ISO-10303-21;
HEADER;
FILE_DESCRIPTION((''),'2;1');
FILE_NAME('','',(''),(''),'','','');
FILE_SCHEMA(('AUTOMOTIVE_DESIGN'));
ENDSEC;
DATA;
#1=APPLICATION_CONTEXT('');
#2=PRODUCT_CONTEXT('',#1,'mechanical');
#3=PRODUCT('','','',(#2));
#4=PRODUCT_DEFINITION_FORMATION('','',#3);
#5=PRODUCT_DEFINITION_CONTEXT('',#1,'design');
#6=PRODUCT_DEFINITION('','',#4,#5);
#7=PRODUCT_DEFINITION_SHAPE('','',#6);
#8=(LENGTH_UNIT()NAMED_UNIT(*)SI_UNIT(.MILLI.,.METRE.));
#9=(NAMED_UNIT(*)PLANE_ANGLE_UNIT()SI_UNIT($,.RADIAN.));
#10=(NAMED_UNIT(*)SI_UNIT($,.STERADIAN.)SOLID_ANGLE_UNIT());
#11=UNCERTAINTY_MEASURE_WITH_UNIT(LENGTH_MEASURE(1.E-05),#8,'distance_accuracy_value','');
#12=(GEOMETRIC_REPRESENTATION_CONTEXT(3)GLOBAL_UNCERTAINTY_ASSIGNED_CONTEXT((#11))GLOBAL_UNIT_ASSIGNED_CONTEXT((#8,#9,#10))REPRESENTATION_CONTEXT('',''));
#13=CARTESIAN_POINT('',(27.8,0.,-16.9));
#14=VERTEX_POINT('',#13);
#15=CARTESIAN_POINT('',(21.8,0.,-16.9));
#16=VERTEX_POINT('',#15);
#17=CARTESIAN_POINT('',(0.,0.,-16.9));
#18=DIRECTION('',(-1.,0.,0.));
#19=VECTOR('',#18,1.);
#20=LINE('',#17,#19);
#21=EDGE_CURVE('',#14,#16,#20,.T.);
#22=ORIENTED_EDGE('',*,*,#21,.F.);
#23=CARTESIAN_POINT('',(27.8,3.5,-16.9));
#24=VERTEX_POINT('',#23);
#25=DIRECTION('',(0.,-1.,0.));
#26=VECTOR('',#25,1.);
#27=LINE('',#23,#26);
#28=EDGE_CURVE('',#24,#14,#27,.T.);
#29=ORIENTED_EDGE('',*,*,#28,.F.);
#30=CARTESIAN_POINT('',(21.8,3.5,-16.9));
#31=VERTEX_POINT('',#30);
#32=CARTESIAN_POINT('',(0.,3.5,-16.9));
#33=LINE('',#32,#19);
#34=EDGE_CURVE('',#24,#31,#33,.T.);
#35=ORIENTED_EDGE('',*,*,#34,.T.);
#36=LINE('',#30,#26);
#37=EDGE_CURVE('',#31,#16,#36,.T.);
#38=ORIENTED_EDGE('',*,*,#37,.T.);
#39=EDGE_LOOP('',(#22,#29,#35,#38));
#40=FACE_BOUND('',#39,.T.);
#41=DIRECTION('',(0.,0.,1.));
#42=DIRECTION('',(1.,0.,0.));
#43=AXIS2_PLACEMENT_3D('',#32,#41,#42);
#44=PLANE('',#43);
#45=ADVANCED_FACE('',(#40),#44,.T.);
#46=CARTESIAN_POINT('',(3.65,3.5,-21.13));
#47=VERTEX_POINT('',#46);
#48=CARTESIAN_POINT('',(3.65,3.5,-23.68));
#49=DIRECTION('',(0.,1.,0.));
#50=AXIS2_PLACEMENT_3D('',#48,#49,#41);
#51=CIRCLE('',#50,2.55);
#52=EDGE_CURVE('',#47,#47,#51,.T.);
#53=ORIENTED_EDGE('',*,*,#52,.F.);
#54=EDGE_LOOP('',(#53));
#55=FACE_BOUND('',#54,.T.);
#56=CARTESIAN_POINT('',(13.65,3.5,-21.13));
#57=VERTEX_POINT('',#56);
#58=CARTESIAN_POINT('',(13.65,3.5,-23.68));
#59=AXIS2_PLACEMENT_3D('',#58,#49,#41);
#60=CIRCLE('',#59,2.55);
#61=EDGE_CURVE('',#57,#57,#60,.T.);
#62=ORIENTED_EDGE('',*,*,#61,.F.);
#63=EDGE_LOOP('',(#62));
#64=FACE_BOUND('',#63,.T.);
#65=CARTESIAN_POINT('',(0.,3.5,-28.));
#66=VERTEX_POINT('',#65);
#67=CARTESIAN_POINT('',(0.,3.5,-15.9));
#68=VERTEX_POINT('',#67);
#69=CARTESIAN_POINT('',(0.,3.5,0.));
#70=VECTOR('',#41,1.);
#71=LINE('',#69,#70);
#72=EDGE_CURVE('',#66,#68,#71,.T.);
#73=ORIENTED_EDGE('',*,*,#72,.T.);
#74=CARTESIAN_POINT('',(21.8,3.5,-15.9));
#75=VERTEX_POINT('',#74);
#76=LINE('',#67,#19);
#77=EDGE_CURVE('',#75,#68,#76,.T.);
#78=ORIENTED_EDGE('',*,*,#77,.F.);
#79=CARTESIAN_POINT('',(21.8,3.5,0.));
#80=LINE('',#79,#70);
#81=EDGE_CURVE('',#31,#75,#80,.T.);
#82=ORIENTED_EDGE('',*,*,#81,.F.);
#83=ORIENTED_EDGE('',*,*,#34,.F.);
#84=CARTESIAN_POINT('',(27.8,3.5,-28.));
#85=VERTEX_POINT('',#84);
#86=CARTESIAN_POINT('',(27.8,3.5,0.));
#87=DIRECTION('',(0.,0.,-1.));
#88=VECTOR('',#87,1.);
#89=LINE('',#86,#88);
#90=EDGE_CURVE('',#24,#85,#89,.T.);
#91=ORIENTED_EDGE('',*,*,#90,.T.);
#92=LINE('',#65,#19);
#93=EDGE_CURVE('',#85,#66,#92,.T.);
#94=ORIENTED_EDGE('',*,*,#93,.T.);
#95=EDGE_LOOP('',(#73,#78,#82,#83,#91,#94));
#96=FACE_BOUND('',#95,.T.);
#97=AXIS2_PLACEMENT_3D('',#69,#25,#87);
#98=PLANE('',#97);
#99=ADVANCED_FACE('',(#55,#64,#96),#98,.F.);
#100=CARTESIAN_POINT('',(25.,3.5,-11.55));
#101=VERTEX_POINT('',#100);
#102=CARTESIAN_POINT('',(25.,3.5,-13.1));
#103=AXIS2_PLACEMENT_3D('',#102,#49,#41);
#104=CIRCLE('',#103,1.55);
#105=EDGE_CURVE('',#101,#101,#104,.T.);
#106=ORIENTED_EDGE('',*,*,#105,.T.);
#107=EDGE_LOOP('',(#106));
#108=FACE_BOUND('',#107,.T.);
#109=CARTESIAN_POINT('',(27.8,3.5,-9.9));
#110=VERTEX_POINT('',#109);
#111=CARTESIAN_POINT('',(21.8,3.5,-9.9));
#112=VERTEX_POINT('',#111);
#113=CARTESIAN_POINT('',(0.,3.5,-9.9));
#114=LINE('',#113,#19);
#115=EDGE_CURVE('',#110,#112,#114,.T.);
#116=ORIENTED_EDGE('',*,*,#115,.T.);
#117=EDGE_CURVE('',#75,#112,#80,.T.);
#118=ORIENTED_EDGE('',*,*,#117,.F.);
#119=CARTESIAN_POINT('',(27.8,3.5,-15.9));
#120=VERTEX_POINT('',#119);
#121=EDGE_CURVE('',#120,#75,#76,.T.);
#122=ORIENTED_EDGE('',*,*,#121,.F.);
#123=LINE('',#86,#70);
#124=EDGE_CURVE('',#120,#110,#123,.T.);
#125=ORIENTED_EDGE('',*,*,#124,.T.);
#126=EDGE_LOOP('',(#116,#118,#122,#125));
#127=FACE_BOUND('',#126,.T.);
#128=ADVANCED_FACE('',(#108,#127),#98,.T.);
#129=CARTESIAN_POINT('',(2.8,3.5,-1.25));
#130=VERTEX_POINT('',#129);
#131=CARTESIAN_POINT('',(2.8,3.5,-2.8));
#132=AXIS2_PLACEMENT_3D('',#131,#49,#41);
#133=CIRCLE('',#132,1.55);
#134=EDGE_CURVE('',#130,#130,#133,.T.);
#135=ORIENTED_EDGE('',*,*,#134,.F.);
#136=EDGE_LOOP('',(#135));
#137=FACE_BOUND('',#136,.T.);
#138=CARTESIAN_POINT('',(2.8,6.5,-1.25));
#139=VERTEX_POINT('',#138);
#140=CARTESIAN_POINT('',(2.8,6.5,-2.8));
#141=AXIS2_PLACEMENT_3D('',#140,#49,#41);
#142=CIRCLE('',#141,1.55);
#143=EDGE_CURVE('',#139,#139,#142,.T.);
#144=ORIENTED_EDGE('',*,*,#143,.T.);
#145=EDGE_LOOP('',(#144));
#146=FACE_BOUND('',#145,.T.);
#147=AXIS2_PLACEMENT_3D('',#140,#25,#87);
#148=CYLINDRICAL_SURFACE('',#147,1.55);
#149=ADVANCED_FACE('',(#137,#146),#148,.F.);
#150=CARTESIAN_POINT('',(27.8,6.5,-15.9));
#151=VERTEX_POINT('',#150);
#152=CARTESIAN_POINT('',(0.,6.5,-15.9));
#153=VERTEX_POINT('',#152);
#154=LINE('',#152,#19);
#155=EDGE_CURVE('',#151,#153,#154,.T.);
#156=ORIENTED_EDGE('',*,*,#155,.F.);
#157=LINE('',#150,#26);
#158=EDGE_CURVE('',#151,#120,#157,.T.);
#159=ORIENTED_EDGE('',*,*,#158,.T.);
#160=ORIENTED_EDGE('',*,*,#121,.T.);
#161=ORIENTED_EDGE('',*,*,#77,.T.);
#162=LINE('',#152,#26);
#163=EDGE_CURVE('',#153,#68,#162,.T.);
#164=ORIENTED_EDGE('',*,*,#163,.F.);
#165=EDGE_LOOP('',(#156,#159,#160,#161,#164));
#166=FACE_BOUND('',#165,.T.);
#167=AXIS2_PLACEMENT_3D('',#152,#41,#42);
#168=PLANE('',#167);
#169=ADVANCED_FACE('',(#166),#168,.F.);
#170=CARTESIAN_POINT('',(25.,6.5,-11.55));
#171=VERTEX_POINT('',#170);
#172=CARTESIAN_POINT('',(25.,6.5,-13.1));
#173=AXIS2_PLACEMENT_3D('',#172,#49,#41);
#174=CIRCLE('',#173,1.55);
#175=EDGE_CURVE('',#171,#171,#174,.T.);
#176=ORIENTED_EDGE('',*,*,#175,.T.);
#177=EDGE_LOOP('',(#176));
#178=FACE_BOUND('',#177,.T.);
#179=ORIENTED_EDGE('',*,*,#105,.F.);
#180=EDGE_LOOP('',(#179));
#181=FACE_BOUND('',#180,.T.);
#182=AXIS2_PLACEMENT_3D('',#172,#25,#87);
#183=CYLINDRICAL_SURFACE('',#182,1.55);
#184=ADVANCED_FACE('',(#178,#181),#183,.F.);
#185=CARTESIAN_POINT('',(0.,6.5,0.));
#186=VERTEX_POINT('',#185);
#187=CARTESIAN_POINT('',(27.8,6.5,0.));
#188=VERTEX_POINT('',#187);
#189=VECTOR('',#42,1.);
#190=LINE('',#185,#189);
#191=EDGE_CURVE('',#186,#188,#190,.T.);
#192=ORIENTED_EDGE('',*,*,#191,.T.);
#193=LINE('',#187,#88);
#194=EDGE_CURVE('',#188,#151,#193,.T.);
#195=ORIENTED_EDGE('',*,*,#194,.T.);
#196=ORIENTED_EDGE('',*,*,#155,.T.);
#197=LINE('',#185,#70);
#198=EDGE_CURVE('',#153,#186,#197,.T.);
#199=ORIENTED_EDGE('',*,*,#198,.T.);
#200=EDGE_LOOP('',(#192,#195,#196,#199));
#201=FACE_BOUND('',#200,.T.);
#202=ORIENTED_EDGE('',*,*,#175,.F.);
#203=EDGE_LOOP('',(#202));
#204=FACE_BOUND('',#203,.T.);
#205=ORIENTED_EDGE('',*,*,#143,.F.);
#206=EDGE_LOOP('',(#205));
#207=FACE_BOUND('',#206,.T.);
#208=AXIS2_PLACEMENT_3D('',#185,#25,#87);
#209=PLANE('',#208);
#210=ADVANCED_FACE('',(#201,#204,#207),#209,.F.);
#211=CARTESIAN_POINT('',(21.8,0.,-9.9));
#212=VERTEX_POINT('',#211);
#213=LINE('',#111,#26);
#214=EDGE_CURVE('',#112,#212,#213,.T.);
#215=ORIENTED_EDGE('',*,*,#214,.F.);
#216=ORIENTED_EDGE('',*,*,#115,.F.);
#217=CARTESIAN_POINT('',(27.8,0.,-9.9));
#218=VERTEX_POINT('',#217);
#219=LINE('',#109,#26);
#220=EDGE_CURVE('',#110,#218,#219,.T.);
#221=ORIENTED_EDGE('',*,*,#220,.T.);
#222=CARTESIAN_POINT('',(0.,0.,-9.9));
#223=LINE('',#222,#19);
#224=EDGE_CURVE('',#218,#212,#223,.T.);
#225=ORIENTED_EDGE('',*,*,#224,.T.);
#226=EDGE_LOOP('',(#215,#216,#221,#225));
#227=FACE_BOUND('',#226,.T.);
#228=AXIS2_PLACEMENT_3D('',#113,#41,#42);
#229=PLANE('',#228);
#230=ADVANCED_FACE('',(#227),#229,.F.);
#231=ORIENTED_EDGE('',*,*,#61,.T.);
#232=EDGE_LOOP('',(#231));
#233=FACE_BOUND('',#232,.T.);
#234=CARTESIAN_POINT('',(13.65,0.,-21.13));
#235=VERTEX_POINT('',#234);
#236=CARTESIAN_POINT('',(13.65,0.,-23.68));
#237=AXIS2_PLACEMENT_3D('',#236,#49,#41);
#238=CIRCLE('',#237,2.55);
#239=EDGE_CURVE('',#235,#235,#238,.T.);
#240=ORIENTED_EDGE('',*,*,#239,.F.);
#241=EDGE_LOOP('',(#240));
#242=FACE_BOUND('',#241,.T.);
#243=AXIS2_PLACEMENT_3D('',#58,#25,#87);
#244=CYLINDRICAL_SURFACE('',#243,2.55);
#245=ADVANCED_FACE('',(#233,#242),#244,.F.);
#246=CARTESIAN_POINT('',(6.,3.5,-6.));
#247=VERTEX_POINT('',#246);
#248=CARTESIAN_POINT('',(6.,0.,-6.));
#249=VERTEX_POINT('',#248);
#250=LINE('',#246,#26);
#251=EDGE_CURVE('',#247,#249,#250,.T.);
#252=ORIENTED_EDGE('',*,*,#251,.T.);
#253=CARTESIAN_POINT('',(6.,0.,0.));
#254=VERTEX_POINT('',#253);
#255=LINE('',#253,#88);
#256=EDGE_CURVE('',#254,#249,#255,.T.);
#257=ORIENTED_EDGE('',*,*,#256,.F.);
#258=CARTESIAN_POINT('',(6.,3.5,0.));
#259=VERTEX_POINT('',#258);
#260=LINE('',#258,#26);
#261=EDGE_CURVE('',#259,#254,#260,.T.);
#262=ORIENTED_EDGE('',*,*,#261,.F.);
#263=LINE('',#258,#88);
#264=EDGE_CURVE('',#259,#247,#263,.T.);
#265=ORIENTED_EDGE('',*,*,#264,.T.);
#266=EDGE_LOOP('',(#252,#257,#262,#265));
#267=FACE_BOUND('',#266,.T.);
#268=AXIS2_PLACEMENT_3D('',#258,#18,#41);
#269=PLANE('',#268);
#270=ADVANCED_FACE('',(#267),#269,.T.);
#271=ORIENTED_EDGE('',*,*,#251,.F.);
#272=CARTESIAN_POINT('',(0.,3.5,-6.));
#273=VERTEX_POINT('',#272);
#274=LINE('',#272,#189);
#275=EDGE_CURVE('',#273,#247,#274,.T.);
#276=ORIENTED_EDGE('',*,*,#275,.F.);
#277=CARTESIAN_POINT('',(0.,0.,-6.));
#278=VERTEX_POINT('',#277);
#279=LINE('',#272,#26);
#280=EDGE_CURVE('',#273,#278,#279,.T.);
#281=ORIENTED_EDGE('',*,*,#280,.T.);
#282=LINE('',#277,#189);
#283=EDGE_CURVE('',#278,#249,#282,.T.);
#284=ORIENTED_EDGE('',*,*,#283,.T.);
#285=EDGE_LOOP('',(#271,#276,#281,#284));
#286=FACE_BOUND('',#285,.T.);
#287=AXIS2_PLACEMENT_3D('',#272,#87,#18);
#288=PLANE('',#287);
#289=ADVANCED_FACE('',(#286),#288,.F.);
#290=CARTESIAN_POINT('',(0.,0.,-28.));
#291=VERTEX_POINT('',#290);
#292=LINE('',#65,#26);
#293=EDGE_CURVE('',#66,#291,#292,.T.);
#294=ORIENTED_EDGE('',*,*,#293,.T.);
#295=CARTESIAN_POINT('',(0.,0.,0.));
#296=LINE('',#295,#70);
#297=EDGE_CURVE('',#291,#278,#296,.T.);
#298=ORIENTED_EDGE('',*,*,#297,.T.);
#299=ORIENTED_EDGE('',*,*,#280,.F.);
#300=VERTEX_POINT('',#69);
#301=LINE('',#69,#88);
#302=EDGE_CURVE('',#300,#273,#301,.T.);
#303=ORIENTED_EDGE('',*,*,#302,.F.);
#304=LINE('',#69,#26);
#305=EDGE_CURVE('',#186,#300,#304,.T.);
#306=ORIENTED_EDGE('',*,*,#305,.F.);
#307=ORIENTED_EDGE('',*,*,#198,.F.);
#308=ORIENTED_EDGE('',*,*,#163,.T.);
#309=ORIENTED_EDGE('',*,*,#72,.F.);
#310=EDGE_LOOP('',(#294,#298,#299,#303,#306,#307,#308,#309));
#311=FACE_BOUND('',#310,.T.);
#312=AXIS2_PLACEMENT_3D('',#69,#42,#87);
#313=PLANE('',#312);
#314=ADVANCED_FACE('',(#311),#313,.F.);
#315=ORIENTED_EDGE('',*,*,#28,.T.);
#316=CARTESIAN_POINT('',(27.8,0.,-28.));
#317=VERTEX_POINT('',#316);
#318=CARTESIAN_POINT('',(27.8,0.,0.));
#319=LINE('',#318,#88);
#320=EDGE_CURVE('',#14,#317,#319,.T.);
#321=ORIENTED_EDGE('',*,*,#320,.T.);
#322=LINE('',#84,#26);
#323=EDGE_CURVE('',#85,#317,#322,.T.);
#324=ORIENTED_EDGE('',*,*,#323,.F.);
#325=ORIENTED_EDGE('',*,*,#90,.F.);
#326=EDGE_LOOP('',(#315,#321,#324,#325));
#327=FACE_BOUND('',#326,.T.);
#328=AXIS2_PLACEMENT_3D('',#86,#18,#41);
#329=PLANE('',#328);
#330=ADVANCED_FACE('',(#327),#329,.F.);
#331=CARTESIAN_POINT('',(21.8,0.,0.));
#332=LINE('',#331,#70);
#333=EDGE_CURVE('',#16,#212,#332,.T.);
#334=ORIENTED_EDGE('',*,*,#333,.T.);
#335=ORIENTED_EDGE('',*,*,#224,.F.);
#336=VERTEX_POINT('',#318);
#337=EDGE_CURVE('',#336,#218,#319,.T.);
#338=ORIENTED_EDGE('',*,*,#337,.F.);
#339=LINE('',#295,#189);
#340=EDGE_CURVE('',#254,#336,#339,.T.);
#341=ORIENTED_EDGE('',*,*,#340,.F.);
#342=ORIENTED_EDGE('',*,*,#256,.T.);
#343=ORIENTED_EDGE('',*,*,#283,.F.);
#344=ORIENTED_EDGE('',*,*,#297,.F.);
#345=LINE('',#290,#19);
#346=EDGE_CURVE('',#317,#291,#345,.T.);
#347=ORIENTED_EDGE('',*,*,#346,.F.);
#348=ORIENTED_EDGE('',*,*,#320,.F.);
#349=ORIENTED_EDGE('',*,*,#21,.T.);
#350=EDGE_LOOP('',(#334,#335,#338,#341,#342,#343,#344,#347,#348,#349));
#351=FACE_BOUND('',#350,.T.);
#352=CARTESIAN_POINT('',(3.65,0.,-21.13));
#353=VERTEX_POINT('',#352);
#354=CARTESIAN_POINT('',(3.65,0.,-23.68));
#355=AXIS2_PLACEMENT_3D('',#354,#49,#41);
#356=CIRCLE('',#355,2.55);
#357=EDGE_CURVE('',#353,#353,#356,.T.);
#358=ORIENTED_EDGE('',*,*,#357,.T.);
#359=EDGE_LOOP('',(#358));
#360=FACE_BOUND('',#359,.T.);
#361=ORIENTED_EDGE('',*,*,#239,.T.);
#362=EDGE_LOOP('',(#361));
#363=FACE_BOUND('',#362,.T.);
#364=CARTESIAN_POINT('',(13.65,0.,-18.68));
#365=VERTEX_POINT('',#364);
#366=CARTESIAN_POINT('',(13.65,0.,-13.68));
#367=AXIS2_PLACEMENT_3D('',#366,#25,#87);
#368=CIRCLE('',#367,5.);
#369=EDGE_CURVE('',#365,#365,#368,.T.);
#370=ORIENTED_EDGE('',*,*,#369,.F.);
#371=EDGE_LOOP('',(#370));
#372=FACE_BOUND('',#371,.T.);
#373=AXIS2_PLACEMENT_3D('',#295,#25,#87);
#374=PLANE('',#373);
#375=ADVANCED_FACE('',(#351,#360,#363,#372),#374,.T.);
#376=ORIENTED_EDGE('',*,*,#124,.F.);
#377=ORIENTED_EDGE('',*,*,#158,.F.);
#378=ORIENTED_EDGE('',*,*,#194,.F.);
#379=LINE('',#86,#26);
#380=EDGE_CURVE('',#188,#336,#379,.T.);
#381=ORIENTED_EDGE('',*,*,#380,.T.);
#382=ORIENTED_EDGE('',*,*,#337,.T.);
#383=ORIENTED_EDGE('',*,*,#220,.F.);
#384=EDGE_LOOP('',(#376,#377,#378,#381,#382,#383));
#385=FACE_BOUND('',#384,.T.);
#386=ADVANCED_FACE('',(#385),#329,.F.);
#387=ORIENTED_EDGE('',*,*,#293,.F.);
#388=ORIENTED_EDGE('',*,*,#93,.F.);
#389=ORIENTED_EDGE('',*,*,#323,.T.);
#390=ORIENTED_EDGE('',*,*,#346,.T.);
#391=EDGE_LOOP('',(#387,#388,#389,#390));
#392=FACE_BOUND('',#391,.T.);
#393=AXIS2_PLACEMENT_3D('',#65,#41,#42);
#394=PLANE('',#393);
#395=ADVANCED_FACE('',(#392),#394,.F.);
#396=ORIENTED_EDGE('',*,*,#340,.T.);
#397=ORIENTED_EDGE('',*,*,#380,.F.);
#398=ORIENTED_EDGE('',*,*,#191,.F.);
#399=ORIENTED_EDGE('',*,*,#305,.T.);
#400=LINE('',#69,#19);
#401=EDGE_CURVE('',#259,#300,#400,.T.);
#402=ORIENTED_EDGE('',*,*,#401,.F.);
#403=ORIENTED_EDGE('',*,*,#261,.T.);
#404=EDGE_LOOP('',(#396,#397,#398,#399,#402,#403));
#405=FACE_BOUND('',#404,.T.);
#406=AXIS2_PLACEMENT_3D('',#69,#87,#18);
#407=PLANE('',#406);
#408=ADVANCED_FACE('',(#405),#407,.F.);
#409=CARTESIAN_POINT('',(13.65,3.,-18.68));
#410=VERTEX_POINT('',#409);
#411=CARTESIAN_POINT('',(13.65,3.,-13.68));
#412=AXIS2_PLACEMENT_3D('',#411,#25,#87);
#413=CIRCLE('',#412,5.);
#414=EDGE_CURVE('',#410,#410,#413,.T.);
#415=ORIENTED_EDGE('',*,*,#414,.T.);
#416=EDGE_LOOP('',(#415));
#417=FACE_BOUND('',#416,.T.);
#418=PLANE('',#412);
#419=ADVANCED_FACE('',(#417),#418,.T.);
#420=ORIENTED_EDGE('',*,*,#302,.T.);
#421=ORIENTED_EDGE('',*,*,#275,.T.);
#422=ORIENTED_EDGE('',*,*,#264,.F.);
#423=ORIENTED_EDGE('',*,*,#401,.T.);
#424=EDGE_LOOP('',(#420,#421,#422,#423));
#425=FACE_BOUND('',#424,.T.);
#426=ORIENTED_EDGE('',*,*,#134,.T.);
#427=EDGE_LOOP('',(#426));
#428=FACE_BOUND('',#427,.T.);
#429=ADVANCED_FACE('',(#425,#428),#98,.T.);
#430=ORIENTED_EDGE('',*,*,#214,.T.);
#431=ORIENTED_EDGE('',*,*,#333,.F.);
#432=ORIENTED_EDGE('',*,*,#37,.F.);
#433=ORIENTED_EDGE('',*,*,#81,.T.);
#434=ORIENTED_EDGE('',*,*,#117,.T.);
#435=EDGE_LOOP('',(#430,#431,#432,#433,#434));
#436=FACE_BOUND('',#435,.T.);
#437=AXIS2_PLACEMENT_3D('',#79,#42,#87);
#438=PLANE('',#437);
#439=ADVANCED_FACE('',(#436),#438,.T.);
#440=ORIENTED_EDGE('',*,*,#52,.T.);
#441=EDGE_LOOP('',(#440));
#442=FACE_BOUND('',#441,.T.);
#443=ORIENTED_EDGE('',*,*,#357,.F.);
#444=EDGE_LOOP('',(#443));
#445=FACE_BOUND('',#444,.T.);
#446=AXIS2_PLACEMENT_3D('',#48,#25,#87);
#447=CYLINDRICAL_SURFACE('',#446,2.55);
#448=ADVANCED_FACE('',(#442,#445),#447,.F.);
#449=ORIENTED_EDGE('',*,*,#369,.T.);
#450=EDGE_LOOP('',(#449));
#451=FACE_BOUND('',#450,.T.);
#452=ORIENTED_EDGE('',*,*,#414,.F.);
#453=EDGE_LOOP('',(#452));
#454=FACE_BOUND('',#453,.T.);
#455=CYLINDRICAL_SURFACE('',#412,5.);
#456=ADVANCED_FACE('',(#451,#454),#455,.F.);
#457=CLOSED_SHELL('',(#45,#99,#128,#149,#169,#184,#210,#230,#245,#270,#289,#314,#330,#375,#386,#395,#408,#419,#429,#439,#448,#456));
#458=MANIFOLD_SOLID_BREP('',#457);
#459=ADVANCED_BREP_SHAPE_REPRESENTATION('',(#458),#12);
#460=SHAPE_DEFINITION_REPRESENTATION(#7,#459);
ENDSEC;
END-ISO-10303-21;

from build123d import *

# Parameters (mm, degrees)
SKETCH1_W           = 27.8
SKETCH1_H           = 28
SKETCH1_R           = 2.55
BOSS_EXTRUDE1_DEPTH = 3.5
SKETCH2_W           = 27.8
SKETCH2_H           = 15.9
SKETCH2_R           = 1.55
BOSS_EXTRUDE2_DEPTH = 3
SKETCH3_W           = 6
SKETCH3_H           = 6
CUT_EXTRUDE5_DEPTH  = 3.5
SKETCH4_W           = 6
SKETCH4_H           = 6
SKETCH4_H_2         = 1
CUT_EXTRUDE7_DEPTH  = 3.5
SKETCH5_R           = 2.55
SKETCH5_R_2         = 5
CUT_EXTRUDE8_DEPTH  = 3


with BuildPart() as part:
    # Sketch1 → Boss-Extrude1 (new body)
    with BuildSketch(Plane(origin=(0, 0, 0), x_dir=(1, 0, 0), z_dir=(0, 1, 0))):
        with Locations((13.9, 14)):
            Rectangle(SKETCH1_W, SKETCH1_H)
        with Locations(Location((13.65, 23.68, 0), (0, 0, 270))):
            Circle(SKETCH1_R, mode=Mode.SUBTRACT)
        with Locations(Location((3.65, 23.68, 0), (0, 0, 270))):
            Circle(SKETCH1_R, mode=Mode.SUBTRACT)
    extrude(amount=BOSS_EXTRUDE1_DEPTH)

    # Sketch2 → Boss-Extrude2 (add)
    with BuildSketch(Plane(origin=(0, 3.5, 0), x_dir=(1, 0, 0), z_dir=(0, 1, 0))):
        with Locations((13.9, 7.95)):
            Rectangle(SKETCH2_W, SKETCH2_H)
        with Locations(Location((2.8, 2.8, 0), (0, 0, 270))):
            Circle(SKETCH2_R, mode=Mode.SUBTRACT)
        with Locations(Location((25, 13.1, 0), (0, 0, 270))):
            Circle(SKETCH2_R, mode=Mode.SUBTRACT)
    extrude(amount=BOSS_EXTRUDE2_DEPTH)

    # Sketch3 → Cut-Extrude5 (cut)
    with BuildSketch(Plane.XZ):
        with Locations((3, -3)):
            Rectangle(SKETCH3_W, SKETCH3_H)
    extrude(amount=-CUT_EXTRUDE5_DEPTH, mode=Mode.SUBTRACT)

    # Sketch4 → Cut-Extrude7 (cut)
    with BuildSketch(Plane.XZ):
        with Locations((24.8, -12.9)):
            Rectangle(SKETCH4_W, SKETCH4_H)
        with Locations((24.8, -16.4)):
            Rectangle(SKETCH4_W, SKETCH4_H_2)
    extrude(amount=-CUT_EXTRUDE7_DEPTH, mode=Mode.SUBTRACT)

    # Sketch5 → Cut-Extrude8 (cut)
    with BuildSketch(Plane.XZ):
        with Locations(Location((13.65, -23.68, 0), (0, 0, 90))):
            Circle(SKETCH5_R)
        with Locations(Location((13.65, -13.68, 0), (0, 0, 270))):
            Circle(SKETCH5_R_2)
    extrude(amount=-CUT_EXTRUDE8_DEPTH, mode=Mode.SUBTRACT)


solid = part.part
